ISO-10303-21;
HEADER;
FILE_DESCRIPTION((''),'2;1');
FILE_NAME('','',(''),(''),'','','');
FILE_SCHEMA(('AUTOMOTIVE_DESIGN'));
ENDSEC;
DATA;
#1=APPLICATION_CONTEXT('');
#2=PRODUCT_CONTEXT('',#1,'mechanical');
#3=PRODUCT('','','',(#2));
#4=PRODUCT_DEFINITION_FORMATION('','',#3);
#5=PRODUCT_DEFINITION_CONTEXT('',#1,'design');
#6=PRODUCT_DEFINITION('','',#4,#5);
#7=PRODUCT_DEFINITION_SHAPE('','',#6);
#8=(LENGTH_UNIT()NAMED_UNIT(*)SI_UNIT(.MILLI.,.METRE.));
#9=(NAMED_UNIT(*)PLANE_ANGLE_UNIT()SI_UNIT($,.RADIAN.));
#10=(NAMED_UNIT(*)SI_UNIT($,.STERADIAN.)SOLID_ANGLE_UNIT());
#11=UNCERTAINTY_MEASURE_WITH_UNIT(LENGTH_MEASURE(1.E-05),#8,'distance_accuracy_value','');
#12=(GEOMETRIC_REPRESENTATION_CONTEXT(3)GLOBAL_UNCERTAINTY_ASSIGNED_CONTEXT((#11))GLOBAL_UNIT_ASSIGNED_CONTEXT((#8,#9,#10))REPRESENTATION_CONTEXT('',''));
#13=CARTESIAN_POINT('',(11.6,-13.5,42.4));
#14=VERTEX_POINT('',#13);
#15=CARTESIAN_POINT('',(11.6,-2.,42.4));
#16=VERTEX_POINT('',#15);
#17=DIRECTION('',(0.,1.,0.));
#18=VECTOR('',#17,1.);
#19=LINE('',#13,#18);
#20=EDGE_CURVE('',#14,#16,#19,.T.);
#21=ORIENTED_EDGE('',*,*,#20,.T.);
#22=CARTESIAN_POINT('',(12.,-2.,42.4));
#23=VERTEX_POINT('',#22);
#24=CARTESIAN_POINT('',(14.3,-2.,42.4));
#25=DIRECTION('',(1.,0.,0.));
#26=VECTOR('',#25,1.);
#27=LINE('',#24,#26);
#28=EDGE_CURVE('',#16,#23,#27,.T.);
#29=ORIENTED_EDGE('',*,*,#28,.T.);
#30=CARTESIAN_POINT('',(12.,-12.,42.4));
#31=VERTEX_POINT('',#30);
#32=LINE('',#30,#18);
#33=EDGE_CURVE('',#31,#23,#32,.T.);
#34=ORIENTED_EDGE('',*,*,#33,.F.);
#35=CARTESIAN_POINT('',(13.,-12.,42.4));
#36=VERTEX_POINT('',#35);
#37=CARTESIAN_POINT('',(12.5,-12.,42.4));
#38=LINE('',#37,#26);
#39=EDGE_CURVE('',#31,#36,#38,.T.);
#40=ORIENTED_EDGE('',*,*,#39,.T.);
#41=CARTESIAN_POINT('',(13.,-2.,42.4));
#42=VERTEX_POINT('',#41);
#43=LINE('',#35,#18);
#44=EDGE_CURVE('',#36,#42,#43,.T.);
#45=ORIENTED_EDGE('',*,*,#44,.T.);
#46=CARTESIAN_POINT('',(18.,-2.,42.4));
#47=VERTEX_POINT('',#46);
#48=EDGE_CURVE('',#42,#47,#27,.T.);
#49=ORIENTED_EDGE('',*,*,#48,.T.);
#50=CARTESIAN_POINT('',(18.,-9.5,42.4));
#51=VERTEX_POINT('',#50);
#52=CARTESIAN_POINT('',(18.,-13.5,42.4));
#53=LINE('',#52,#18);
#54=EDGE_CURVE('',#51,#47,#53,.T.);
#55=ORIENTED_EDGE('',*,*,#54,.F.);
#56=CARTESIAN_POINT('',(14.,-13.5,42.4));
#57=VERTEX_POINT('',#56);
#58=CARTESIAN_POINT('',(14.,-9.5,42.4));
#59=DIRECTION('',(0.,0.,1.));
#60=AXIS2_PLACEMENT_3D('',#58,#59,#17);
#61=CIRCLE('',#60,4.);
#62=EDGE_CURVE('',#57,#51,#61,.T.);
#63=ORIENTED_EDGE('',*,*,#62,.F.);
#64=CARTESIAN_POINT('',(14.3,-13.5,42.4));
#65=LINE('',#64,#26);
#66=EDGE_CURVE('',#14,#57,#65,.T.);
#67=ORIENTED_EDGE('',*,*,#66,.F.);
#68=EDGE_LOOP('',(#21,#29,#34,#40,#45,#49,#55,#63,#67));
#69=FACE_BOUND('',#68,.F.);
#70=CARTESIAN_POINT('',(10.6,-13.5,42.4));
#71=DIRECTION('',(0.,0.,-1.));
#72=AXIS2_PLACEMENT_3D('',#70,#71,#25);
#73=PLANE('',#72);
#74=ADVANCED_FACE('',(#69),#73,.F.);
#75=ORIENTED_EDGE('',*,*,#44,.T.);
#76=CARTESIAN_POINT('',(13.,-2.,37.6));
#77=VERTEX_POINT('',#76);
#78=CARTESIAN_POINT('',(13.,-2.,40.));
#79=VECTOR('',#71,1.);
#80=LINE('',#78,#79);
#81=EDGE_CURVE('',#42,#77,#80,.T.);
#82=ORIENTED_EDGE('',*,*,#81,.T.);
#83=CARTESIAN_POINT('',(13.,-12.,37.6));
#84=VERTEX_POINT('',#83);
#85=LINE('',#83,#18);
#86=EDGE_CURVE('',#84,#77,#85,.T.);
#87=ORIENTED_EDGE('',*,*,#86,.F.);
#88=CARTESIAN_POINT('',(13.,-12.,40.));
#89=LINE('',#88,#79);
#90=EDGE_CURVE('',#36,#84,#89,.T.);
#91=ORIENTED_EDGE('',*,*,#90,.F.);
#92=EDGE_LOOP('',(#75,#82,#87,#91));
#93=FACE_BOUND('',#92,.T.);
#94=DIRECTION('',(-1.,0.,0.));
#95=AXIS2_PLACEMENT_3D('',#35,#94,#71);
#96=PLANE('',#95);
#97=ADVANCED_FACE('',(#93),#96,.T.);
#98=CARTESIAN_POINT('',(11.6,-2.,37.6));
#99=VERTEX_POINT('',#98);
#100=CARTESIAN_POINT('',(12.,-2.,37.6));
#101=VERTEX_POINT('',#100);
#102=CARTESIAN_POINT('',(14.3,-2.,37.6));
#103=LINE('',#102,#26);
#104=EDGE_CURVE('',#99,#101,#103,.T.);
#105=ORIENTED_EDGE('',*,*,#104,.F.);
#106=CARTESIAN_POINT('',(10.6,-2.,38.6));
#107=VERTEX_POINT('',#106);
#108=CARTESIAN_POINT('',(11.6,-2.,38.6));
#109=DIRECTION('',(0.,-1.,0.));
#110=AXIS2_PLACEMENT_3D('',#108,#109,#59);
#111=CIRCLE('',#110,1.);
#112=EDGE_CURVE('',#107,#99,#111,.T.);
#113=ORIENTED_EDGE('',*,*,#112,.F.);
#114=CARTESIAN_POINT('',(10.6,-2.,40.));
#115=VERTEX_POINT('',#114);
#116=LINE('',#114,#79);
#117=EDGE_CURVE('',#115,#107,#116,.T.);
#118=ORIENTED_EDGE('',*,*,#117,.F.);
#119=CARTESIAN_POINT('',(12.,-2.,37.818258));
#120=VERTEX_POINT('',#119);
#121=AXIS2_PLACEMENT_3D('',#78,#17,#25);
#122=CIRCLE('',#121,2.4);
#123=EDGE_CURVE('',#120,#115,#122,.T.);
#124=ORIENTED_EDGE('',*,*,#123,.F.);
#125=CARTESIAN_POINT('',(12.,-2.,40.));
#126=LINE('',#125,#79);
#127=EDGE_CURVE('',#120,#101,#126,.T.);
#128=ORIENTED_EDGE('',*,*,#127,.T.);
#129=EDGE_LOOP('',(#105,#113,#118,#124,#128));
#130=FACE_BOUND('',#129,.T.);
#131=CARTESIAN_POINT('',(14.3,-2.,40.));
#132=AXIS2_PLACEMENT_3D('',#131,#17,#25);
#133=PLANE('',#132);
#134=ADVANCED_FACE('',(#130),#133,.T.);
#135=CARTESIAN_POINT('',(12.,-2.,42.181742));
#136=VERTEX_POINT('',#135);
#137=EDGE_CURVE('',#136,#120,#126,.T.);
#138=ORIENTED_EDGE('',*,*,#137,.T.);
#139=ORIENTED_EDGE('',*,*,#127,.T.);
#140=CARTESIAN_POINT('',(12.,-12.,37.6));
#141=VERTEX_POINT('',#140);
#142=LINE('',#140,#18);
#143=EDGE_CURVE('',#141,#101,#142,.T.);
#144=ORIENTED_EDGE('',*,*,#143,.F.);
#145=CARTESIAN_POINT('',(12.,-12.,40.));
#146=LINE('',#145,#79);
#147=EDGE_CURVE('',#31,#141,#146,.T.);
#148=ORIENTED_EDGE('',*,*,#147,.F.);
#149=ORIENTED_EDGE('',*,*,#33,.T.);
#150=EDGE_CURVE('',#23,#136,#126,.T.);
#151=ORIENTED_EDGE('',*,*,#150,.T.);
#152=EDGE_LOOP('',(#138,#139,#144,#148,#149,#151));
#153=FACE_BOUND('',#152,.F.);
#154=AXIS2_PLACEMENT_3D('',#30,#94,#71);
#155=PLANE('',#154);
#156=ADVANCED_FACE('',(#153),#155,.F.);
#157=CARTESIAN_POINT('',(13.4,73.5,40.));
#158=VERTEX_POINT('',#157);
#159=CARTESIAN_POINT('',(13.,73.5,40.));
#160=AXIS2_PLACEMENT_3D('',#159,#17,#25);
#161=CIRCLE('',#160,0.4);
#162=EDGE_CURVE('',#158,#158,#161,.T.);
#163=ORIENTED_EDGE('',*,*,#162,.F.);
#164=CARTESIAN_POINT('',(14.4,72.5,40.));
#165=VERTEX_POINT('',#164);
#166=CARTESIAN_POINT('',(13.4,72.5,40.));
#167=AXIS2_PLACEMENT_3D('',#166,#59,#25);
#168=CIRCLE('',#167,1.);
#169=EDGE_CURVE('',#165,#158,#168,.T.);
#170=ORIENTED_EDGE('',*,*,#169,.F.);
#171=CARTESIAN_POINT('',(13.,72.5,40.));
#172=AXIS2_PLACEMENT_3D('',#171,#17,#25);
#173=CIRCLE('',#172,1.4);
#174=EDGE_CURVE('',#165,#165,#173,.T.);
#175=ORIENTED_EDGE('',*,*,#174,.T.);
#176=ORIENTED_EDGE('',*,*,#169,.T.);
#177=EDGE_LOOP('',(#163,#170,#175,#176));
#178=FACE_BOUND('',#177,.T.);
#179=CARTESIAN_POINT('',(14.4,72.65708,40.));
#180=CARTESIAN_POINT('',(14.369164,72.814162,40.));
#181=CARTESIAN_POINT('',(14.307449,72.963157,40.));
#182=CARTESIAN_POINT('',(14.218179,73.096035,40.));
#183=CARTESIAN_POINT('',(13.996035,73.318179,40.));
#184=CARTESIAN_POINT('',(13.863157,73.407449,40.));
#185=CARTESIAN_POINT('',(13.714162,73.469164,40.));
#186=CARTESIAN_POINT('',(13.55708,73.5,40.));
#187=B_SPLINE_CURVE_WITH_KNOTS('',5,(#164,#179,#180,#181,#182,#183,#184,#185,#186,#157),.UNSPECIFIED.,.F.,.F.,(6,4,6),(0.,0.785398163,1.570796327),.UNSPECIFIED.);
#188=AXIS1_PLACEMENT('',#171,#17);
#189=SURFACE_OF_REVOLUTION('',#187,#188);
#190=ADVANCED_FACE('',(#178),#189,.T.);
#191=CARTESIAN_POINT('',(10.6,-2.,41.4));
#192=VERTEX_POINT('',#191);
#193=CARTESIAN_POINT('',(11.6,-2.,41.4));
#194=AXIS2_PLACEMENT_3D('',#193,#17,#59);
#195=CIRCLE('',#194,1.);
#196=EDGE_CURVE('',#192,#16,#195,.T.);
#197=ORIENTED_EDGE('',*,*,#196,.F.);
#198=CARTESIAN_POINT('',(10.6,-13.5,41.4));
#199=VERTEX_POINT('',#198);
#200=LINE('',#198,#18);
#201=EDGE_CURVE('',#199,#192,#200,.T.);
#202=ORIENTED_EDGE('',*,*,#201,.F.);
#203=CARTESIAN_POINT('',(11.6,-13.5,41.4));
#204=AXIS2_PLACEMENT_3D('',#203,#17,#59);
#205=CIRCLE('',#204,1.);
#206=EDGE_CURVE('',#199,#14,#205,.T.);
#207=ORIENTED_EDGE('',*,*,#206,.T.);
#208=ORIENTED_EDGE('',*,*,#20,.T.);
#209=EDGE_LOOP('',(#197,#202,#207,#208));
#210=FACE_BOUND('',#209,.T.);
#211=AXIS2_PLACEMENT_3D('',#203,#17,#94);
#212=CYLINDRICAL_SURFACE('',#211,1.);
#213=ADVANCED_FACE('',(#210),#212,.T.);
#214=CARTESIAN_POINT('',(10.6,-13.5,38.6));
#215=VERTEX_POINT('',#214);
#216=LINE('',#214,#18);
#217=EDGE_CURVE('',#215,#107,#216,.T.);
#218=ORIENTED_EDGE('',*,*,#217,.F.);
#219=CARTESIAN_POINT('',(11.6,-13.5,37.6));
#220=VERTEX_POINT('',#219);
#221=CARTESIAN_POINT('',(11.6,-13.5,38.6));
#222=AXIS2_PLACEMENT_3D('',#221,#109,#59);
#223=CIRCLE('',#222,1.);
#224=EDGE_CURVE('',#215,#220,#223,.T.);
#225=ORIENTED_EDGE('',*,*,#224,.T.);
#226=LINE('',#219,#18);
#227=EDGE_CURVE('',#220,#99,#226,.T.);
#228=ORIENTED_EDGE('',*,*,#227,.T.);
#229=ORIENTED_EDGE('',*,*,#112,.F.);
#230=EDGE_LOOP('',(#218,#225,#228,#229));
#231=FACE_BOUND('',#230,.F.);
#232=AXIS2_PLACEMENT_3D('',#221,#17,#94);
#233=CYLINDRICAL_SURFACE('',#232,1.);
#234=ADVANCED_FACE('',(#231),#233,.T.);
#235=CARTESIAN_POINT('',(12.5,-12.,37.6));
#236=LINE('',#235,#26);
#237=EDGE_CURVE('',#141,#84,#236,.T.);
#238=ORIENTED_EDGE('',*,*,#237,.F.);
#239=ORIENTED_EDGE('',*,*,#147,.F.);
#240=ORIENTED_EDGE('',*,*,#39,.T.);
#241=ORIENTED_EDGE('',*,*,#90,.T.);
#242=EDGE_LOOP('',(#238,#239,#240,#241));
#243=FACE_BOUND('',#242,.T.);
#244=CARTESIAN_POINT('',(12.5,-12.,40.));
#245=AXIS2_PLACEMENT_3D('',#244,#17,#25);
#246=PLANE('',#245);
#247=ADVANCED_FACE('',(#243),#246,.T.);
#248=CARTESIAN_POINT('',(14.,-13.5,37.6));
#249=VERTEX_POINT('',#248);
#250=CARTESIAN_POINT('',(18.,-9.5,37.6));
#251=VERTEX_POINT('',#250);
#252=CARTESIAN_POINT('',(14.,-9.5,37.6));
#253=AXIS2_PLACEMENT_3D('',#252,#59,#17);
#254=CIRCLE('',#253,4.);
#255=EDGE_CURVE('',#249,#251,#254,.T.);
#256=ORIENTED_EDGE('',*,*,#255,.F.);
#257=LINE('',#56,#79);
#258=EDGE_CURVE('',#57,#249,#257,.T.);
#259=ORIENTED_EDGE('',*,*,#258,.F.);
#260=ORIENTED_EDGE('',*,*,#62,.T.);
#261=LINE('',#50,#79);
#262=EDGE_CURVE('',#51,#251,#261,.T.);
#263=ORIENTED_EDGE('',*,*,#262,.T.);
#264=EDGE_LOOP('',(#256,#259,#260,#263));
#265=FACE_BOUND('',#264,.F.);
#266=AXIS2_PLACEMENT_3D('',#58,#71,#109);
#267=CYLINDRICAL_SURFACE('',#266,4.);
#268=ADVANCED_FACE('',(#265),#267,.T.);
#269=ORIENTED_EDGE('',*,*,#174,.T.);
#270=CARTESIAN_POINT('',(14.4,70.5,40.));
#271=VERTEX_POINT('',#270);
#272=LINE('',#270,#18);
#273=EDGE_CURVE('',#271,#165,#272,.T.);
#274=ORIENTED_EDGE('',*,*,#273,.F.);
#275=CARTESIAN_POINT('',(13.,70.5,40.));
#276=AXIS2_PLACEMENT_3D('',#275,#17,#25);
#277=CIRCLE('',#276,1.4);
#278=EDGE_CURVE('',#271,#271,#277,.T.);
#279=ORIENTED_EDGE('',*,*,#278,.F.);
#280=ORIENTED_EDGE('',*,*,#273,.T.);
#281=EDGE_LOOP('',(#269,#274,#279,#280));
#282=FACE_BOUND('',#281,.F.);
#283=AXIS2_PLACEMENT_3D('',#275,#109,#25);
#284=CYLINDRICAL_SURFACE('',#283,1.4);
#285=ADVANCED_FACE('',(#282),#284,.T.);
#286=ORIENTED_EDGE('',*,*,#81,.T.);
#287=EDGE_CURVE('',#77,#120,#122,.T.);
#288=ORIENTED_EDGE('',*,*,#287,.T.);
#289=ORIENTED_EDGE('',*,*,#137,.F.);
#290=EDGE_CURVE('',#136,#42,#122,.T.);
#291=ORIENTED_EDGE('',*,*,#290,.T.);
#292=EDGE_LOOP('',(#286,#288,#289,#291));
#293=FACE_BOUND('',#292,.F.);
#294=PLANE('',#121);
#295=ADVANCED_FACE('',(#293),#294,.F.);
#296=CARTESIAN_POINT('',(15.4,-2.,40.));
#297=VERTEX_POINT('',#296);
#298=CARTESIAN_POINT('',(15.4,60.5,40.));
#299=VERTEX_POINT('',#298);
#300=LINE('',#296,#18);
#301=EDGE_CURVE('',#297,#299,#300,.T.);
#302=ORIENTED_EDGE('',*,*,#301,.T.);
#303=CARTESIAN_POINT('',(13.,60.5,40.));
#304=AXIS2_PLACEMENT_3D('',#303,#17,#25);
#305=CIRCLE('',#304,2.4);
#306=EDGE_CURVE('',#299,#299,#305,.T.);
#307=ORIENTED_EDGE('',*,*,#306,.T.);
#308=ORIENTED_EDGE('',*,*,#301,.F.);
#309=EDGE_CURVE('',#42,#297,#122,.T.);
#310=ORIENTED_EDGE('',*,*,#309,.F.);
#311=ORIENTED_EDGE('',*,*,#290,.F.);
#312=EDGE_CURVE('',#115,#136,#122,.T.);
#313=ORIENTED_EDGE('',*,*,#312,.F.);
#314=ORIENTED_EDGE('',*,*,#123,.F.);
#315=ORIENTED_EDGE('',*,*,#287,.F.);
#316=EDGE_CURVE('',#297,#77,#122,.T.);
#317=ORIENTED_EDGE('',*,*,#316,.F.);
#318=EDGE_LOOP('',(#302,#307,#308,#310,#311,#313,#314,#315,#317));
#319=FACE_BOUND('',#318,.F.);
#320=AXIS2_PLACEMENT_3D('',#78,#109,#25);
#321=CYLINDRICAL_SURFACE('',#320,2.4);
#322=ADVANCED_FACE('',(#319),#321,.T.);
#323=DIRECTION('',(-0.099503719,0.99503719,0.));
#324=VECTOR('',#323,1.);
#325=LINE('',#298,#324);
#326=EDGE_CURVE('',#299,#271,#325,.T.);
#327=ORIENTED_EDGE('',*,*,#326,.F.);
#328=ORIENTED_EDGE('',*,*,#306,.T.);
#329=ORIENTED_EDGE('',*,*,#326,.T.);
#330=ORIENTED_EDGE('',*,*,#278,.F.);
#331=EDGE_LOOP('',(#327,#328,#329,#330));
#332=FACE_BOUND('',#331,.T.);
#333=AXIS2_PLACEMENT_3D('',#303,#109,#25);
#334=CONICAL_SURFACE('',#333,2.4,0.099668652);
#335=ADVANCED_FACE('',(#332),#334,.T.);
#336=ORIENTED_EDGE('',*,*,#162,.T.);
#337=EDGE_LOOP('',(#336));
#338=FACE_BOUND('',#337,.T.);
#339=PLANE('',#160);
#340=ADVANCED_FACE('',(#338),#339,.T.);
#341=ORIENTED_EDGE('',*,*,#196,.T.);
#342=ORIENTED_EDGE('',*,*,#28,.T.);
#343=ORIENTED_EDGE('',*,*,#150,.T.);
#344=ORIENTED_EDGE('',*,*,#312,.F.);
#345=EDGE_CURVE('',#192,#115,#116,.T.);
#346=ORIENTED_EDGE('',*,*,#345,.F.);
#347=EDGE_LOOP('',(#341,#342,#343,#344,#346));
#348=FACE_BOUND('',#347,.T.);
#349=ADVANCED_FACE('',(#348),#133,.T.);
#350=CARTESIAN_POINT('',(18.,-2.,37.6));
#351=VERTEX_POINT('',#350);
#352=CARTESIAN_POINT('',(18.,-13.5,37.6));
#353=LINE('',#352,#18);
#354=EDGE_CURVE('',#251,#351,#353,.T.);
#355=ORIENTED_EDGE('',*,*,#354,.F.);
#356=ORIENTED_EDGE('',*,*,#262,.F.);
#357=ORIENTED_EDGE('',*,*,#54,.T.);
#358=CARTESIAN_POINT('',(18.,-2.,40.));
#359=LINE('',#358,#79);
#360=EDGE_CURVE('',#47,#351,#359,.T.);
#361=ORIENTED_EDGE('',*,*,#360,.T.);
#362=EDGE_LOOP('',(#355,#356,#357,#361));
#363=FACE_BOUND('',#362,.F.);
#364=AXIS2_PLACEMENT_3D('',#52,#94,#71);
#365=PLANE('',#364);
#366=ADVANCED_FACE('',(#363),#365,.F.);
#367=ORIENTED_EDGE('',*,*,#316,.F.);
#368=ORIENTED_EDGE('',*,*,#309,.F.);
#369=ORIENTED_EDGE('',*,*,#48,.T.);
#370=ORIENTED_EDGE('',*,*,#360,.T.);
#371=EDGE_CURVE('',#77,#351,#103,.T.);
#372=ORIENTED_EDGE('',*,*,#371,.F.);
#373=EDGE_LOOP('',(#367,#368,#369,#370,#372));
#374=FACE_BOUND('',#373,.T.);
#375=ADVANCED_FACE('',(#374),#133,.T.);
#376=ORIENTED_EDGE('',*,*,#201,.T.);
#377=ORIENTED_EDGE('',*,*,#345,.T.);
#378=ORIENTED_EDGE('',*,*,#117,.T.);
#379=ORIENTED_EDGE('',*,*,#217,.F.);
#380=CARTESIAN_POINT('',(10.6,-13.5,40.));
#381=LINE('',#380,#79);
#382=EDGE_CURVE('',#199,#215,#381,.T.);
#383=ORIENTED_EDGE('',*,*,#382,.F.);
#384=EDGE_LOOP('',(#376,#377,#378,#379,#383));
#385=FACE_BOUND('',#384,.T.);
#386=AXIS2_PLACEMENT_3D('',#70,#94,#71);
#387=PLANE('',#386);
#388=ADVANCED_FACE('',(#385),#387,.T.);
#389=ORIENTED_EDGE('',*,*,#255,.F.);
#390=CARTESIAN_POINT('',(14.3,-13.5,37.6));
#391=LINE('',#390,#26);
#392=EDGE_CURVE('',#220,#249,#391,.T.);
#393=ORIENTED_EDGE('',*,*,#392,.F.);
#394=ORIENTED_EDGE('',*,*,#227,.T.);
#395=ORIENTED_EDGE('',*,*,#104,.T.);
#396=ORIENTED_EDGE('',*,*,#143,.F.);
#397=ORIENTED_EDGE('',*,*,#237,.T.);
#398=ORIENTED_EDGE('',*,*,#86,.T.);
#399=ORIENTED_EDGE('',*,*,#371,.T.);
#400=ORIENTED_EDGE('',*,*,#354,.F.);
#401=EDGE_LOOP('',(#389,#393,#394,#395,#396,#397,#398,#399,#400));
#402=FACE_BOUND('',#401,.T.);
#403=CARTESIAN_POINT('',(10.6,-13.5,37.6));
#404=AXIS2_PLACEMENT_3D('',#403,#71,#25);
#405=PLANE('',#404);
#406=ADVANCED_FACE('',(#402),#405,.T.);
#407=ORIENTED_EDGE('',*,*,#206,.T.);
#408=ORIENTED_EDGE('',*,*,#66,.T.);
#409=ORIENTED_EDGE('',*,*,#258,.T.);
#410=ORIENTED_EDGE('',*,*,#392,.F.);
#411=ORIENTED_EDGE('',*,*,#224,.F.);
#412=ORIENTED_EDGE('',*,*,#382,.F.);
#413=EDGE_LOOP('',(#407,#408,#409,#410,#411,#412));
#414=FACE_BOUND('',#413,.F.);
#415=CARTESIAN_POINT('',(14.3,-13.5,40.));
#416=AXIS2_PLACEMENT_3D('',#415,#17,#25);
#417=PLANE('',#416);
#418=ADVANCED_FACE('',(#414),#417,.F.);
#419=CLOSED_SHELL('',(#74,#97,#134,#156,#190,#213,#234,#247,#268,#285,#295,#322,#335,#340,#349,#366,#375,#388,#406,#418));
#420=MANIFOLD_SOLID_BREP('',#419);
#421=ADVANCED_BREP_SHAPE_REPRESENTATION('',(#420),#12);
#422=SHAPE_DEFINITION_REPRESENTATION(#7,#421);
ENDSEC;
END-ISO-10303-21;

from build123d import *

# Parameters (mm, degrees)
CYLINDER026_R                                        = 1.4
CYLINDER026_DEPTH                                    = 3
FILLET005011017004_R                                 = 1
BOX085009_W                                          = 1
BOX085009_H                                          = 4.8
BOX085009_DEPTH                                      = 10
BOX085008_W                                          = 7.4
BOX085008_H                                          = 4.8
BOX085008_DEPTH                                      = 11.5
FILLET005011017005_R                                 = 1
FILLET005011017006_R                                 = 4
CYLINDER025_R                                        = 2.4
CYLINDER025_DEPTH                                    = 72.5
CHAMFER011002_SIZE2                                  = 1
CHAMFER011002_SIZE                                   = 10
FUSION004008002002002001007002002008_PLACEMENT_ANGLE = 90


with BuildPart() as fillet005011017004:
    # Cylinder026 → Cylinder026 (new body)
    with BuildSketch(Plane.XY.offset(72.5)):
        Circle(CYLINDER026_R)
    extrude(amount=CYLINDER026_DEPTH)

    # Fillet005011017004
    fillet005011017004_edges = [fillet005011017004.edges().sort_by_distance(p)[0] for p in [
        (-1.4, 0, 75.5),
    ]]
    fillet(fillet005011017004_edges, radius=FILLET005011017004_R)


with BuildPart() as cube097:
    # Box085009 → Box085009 (new body)
    with BuildSketch(Plane(origin=(-1, -2.4, -10), x_dir=(1, 0, 0), z_dir=(0, 0, 1))):
        with Locations((0.5, 2.4)):
            Rectangle(BOX085009_W, BOX085009_H)
    extrude(amount=BOX085009_DEPTH)


with BuildPart() as cut001002016002:
    # Box085008 → Box085008 (new body)
    with BuildSketch(Plane(origin=(-2.4, -2.4, -11.5), x_dir=(1, 0, 0), z_dir=(0, 0, 1))):
        with Locations((3.7, 2.4)):
            Rectangle(BOX085008_W, BOX085008_H)
    extrude(amount=BOX085008_DEPTH)

    # Fillet005011017005
    fillet005011017005_edges = [cut001002016002.edges().sort_by_distance(p)[0] for p in [
        (-2.4, -2.4, -5.75),
        (-2.4, 2.4, -5.75),
    ]]
    fillet(fillet005011017005_edges, radius=FILLET005011017005_R)

    # Fillet005011017006
    fillet005011017006_edges = [cut001002016002.edges().sort_by_distance(p)[0] for p in [
        (5, 0, -11.5),
    ]]
    fillet(fillet005011017006_edges, radius=FILLET005011017006_R)

    # Cut001002016002: cut Cube097
    add(cube097.part, mode=Mode.SUBTRACT)


with BuildPart() as stylus:
    # Cylinder025 → Cylinder025 (new body)
    with BuildSketch(Plane.XY):
        Circle(CYLINDER025_R)
    extrude(amount=CYLINDER025_DEPTH)

    # Chamfer011002
    chamfer011002_edges = [stylus.edges().sort_by_distance(p)[0] for p in [
        (-2.4, 0, 72.5),
    ]]
    chamfer011002_side = stylus.faces().sort_by_distance((-2.4, 0, 36.25))[0]
    chamfer(chamfer011002_edges, length=CHAMFER011002_SIZE, length2=CHAMFER011002_SIZE2, reference=chamfer011002_side)

    # Fusion004008002002002001007002002008: union Fillet005011017004, Cut001002016002
    add(fillet005011017004.part)
    add(cut001002016002.part)


with BuildPart() as stylus_1:
    # Fusion004008002002002001007002002008 placement: moved
    add(stylus.part.moved(Location((13, -2, 40))).rotate(Axis((13, -2, 40), (-1, 0, 0)), FUSION004008002002002001007002002008_PLACEMENT_ANGLE))


solid = stylus_1.part
